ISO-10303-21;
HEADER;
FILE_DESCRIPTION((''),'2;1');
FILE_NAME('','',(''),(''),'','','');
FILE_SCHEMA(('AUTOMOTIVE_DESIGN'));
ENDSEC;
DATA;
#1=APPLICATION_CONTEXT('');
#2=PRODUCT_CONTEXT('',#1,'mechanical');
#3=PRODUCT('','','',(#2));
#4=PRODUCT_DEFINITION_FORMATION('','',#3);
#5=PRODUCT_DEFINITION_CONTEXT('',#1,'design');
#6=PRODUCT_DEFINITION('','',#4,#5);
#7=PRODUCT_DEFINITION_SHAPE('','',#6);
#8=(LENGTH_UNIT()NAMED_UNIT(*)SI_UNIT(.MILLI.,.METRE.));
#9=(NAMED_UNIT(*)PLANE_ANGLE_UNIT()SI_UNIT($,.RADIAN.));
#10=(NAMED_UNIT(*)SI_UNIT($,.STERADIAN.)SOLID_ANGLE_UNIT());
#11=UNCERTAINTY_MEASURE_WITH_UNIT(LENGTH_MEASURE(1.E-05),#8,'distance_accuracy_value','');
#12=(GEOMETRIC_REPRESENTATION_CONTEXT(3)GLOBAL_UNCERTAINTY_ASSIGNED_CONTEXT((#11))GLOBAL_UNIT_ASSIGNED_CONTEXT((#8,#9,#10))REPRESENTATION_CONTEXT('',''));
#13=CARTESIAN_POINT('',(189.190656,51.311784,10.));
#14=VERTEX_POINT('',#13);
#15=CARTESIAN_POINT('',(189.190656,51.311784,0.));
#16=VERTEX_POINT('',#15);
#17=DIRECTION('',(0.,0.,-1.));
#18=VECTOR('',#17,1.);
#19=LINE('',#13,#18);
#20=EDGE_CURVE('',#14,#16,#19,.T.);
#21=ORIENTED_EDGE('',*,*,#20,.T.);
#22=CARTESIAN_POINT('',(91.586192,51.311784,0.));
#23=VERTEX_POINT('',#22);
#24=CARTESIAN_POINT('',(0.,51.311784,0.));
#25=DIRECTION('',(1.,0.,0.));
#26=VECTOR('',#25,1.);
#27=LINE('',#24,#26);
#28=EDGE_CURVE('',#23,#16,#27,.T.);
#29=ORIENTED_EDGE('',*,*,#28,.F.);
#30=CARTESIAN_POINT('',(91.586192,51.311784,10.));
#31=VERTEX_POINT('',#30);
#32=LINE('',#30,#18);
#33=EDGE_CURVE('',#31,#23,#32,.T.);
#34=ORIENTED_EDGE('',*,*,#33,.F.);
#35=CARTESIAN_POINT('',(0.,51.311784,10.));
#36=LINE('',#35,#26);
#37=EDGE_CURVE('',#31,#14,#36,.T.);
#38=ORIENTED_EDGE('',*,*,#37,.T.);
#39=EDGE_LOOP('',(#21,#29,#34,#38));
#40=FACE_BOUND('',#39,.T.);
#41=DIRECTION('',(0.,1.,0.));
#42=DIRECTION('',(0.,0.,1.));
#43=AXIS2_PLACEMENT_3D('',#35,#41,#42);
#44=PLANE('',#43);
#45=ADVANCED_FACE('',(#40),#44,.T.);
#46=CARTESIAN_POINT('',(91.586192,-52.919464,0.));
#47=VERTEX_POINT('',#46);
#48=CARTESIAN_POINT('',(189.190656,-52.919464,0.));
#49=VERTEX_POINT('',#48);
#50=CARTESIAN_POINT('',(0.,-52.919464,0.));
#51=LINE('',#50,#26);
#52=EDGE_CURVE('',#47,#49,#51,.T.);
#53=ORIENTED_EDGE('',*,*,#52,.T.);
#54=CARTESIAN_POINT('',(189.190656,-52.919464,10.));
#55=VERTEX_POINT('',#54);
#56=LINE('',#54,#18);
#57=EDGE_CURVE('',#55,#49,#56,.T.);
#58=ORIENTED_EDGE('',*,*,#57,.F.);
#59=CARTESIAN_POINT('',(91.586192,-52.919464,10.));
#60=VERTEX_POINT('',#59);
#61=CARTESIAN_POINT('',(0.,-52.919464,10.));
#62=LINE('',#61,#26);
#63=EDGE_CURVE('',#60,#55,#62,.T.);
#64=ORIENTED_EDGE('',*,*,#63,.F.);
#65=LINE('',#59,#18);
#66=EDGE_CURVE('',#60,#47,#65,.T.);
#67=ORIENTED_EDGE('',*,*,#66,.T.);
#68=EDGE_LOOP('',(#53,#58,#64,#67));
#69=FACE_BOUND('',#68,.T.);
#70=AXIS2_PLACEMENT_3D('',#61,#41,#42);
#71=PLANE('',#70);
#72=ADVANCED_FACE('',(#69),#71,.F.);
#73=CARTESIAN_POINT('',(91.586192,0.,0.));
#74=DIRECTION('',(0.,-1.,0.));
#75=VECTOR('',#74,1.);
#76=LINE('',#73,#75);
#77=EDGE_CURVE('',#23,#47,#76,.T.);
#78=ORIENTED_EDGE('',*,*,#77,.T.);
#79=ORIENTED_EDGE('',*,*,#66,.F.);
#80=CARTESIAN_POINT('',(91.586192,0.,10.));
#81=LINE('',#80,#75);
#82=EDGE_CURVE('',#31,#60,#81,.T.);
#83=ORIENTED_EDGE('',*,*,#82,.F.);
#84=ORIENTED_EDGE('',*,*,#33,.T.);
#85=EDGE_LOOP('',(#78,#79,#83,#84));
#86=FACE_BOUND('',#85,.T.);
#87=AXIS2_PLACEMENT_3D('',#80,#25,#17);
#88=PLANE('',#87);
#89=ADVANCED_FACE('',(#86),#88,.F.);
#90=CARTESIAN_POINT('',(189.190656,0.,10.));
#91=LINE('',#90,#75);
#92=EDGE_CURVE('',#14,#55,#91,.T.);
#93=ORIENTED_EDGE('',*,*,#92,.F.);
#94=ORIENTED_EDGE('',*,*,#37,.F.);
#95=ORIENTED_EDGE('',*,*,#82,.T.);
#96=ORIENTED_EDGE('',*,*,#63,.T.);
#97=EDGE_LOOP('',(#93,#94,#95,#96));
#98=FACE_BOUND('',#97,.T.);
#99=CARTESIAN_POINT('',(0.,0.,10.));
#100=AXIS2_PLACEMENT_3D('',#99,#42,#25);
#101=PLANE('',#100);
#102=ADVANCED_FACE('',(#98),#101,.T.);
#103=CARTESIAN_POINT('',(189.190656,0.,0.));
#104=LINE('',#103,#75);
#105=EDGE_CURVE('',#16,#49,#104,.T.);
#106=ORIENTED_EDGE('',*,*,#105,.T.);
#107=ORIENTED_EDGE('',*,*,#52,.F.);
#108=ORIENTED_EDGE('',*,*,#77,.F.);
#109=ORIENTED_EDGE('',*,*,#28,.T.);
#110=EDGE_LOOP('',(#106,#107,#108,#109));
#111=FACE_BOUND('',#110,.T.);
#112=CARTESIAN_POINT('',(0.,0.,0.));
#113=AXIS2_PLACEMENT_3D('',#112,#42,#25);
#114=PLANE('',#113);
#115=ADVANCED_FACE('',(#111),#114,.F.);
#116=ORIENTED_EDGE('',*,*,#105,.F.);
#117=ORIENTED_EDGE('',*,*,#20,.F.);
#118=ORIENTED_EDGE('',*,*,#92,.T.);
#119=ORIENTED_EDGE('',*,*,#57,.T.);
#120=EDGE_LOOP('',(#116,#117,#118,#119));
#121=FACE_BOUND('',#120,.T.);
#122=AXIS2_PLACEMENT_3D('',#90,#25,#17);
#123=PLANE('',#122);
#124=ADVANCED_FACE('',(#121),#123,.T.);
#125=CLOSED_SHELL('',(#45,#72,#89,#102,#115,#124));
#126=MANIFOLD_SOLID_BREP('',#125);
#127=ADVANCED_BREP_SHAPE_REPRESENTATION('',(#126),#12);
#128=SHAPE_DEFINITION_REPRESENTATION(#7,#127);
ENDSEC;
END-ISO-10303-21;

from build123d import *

# Parameters (mm, degrees)
SKETCH1_W           = 65.111036142
SKETCH1_H           = 104.231247157
SKETCH1_W_2         = 12.511082186
SKETCH1_W_3         = 10.525971643
SKETCH1_W_4         = 9.456374357
BOSS_EXTRUDE1_DEPTH = 10


with BuildPart() as part:
    # Sketch1 → Boss-Extrude1 (new body)
    with BuildSketch(Plane.XY):
        with Locations((136.652791902, -0.803839953)):
            Rectangle(SKETCH1_W, SKETCH1_H)
        with Locations((97.841732738, -0.803839953)):
            Rectangle(SKETCH1_W_2, SKETCH1_H)
        with Locations((183.927670152, -0.803839953)):
            Rectangle(SKETCH1_W_3, SKETCH1_H)
        with Locations((173.936497152, -0.803839953)):
            Rectangle(SKETCH1_W_4, SKETCH1_H)
    extrude(amount=BOSS_EXTRUDE1_DEPTH)


solid = part.part
